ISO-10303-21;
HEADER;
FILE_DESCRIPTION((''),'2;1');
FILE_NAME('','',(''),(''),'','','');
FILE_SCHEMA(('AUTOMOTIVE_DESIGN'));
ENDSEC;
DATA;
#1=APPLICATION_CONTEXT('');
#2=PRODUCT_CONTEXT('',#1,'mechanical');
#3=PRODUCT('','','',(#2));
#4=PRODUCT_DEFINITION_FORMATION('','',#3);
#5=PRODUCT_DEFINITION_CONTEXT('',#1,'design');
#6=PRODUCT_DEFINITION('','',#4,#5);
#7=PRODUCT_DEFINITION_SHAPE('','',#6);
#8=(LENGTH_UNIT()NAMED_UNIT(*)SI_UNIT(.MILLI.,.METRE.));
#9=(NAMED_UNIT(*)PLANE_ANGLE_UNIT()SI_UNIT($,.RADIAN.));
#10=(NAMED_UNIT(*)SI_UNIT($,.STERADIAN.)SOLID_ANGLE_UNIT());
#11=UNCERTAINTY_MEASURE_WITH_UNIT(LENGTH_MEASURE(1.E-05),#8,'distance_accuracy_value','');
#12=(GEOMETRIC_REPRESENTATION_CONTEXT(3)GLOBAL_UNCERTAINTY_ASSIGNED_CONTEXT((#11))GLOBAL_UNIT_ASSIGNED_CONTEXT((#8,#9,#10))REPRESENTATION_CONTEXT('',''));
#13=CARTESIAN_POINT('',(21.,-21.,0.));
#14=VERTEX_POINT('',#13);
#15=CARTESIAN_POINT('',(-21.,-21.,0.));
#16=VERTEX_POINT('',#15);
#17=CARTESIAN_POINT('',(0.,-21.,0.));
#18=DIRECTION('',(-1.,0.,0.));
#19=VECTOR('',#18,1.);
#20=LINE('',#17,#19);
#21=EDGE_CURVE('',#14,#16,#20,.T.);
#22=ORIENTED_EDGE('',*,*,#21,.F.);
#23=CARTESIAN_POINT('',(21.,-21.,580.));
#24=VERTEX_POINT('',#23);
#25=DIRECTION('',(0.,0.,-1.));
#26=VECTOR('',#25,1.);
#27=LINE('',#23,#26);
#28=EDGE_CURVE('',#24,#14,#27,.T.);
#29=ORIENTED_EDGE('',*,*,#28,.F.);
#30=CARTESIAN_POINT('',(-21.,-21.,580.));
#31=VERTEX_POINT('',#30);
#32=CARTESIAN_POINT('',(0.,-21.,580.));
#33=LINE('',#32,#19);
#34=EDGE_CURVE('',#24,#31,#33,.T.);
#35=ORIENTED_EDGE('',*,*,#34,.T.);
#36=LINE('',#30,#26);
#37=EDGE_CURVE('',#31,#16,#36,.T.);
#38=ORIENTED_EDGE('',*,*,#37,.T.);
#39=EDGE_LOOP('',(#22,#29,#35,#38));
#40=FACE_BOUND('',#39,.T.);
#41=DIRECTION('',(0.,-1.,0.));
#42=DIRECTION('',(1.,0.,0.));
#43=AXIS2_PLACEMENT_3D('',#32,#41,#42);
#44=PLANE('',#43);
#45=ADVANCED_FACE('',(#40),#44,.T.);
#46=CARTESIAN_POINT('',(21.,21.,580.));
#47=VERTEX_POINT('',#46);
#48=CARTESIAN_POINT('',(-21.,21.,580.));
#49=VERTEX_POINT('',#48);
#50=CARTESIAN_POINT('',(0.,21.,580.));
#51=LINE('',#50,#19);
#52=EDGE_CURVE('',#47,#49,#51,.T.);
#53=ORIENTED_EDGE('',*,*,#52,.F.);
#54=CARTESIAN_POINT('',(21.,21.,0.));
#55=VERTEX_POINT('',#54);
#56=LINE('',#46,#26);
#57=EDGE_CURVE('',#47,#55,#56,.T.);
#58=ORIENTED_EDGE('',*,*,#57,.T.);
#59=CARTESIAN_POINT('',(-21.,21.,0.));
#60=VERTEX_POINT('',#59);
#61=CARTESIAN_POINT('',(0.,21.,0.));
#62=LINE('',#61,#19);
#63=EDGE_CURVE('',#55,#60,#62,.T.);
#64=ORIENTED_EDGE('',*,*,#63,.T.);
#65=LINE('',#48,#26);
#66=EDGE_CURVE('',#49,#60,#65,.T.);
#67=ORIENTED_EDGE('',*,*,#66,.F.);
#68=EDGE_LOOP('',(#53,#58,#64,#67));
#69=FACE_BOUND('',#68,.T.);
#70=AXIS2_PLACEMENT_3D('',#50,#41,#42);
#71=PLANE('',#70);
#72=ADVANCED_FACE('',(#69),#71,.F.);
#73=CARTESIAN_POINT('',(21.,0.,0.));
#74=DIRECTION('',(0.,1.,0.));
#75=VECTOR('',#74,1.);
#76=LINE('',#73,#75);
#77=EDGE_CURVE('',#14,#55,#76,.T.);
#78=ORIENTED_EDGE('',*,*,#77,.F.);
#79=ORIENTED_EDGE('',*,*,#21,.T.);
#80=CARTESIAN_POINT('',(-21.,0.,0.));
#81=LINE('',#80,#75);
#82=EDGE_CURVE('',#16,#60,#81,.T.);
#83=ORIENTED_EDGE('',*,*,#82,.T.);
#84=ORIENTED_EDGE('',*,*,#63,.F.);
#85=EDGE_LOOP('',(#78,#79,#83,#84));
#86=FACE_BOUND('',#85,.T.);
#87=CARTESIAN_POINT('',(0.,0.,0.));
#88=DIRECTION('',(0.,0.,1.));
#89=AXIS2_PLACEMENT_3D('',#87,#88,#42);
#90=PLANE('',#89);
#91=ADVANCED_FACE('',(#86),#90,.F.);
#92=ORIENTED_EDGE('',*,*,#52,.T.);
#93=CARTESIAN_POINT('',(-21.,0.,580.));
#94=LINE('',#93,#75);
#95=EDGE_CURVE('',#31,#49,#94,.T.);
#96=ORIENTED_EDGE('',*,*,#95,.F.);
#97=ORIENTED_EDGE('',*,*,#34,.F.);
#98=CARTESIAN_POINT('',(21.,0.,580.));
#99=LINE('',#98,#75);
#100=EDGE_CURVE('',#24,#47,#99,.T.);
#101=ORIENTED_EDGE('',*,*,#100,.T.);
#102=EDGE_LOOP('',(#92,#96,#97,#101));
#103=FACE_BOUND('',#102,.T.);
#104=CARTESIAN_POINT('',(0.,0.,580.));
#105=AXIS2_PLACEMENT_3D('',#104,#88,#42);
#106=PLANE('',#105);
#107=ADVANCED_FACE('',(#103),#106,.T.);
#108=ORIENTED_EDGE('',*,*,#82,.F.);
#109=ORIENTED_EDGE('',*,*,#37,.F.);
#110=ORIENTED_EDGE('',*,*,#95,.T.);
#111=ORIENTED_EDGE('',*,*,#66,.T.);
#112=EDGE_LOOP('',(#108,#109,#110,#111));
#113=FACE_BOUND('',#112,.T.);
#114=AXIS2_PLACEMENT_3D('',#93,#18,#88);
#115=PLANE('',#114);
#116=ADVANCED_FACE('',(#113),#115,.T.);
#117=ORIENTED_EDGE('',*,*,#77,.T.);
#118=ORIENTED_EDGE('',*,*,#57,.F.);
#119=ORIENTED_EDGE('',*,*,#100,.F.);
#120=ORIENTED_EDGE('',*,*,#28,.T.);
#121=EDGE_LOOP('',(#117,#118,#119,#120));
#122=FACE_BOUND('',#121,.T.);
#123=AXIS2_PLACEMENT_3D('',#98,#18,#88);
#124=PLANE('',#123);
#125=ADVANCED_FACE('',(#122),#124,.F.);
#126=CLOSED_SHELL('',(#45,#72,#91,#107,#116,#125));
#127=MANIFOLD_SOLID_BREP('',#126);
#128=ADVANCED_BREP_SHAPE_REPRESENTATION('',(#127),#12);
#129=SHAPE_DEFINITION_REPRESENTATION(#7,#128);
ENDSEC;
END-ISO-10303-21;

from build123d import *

# Parameters (mm, degrees)
SKETCH1_W           = 42
SKETCH1_H           = 42
SKETCH1_W_2         = 40
SKETCH1_H_2         = 40
BOSS_EXTRUDE1_DEPTH = 580


with BuildPart() as part:
    # Sketch1 → Boss-Extrude1 (new body)
    with BuildSketch(Plane.XY):
        Rectangle(SKETCH1_W, SKETCH1_H)
        Rectangle(SKETCH1_W_2, SKETCH1_H_2, mode=Mode.SUBTRACT)
        Rectangle(SKETCH1_W_2, SKETCH1_H_2)
    extrude(amount=BOSS_EXTRUDE1_DEPTH)


solid = part.part
